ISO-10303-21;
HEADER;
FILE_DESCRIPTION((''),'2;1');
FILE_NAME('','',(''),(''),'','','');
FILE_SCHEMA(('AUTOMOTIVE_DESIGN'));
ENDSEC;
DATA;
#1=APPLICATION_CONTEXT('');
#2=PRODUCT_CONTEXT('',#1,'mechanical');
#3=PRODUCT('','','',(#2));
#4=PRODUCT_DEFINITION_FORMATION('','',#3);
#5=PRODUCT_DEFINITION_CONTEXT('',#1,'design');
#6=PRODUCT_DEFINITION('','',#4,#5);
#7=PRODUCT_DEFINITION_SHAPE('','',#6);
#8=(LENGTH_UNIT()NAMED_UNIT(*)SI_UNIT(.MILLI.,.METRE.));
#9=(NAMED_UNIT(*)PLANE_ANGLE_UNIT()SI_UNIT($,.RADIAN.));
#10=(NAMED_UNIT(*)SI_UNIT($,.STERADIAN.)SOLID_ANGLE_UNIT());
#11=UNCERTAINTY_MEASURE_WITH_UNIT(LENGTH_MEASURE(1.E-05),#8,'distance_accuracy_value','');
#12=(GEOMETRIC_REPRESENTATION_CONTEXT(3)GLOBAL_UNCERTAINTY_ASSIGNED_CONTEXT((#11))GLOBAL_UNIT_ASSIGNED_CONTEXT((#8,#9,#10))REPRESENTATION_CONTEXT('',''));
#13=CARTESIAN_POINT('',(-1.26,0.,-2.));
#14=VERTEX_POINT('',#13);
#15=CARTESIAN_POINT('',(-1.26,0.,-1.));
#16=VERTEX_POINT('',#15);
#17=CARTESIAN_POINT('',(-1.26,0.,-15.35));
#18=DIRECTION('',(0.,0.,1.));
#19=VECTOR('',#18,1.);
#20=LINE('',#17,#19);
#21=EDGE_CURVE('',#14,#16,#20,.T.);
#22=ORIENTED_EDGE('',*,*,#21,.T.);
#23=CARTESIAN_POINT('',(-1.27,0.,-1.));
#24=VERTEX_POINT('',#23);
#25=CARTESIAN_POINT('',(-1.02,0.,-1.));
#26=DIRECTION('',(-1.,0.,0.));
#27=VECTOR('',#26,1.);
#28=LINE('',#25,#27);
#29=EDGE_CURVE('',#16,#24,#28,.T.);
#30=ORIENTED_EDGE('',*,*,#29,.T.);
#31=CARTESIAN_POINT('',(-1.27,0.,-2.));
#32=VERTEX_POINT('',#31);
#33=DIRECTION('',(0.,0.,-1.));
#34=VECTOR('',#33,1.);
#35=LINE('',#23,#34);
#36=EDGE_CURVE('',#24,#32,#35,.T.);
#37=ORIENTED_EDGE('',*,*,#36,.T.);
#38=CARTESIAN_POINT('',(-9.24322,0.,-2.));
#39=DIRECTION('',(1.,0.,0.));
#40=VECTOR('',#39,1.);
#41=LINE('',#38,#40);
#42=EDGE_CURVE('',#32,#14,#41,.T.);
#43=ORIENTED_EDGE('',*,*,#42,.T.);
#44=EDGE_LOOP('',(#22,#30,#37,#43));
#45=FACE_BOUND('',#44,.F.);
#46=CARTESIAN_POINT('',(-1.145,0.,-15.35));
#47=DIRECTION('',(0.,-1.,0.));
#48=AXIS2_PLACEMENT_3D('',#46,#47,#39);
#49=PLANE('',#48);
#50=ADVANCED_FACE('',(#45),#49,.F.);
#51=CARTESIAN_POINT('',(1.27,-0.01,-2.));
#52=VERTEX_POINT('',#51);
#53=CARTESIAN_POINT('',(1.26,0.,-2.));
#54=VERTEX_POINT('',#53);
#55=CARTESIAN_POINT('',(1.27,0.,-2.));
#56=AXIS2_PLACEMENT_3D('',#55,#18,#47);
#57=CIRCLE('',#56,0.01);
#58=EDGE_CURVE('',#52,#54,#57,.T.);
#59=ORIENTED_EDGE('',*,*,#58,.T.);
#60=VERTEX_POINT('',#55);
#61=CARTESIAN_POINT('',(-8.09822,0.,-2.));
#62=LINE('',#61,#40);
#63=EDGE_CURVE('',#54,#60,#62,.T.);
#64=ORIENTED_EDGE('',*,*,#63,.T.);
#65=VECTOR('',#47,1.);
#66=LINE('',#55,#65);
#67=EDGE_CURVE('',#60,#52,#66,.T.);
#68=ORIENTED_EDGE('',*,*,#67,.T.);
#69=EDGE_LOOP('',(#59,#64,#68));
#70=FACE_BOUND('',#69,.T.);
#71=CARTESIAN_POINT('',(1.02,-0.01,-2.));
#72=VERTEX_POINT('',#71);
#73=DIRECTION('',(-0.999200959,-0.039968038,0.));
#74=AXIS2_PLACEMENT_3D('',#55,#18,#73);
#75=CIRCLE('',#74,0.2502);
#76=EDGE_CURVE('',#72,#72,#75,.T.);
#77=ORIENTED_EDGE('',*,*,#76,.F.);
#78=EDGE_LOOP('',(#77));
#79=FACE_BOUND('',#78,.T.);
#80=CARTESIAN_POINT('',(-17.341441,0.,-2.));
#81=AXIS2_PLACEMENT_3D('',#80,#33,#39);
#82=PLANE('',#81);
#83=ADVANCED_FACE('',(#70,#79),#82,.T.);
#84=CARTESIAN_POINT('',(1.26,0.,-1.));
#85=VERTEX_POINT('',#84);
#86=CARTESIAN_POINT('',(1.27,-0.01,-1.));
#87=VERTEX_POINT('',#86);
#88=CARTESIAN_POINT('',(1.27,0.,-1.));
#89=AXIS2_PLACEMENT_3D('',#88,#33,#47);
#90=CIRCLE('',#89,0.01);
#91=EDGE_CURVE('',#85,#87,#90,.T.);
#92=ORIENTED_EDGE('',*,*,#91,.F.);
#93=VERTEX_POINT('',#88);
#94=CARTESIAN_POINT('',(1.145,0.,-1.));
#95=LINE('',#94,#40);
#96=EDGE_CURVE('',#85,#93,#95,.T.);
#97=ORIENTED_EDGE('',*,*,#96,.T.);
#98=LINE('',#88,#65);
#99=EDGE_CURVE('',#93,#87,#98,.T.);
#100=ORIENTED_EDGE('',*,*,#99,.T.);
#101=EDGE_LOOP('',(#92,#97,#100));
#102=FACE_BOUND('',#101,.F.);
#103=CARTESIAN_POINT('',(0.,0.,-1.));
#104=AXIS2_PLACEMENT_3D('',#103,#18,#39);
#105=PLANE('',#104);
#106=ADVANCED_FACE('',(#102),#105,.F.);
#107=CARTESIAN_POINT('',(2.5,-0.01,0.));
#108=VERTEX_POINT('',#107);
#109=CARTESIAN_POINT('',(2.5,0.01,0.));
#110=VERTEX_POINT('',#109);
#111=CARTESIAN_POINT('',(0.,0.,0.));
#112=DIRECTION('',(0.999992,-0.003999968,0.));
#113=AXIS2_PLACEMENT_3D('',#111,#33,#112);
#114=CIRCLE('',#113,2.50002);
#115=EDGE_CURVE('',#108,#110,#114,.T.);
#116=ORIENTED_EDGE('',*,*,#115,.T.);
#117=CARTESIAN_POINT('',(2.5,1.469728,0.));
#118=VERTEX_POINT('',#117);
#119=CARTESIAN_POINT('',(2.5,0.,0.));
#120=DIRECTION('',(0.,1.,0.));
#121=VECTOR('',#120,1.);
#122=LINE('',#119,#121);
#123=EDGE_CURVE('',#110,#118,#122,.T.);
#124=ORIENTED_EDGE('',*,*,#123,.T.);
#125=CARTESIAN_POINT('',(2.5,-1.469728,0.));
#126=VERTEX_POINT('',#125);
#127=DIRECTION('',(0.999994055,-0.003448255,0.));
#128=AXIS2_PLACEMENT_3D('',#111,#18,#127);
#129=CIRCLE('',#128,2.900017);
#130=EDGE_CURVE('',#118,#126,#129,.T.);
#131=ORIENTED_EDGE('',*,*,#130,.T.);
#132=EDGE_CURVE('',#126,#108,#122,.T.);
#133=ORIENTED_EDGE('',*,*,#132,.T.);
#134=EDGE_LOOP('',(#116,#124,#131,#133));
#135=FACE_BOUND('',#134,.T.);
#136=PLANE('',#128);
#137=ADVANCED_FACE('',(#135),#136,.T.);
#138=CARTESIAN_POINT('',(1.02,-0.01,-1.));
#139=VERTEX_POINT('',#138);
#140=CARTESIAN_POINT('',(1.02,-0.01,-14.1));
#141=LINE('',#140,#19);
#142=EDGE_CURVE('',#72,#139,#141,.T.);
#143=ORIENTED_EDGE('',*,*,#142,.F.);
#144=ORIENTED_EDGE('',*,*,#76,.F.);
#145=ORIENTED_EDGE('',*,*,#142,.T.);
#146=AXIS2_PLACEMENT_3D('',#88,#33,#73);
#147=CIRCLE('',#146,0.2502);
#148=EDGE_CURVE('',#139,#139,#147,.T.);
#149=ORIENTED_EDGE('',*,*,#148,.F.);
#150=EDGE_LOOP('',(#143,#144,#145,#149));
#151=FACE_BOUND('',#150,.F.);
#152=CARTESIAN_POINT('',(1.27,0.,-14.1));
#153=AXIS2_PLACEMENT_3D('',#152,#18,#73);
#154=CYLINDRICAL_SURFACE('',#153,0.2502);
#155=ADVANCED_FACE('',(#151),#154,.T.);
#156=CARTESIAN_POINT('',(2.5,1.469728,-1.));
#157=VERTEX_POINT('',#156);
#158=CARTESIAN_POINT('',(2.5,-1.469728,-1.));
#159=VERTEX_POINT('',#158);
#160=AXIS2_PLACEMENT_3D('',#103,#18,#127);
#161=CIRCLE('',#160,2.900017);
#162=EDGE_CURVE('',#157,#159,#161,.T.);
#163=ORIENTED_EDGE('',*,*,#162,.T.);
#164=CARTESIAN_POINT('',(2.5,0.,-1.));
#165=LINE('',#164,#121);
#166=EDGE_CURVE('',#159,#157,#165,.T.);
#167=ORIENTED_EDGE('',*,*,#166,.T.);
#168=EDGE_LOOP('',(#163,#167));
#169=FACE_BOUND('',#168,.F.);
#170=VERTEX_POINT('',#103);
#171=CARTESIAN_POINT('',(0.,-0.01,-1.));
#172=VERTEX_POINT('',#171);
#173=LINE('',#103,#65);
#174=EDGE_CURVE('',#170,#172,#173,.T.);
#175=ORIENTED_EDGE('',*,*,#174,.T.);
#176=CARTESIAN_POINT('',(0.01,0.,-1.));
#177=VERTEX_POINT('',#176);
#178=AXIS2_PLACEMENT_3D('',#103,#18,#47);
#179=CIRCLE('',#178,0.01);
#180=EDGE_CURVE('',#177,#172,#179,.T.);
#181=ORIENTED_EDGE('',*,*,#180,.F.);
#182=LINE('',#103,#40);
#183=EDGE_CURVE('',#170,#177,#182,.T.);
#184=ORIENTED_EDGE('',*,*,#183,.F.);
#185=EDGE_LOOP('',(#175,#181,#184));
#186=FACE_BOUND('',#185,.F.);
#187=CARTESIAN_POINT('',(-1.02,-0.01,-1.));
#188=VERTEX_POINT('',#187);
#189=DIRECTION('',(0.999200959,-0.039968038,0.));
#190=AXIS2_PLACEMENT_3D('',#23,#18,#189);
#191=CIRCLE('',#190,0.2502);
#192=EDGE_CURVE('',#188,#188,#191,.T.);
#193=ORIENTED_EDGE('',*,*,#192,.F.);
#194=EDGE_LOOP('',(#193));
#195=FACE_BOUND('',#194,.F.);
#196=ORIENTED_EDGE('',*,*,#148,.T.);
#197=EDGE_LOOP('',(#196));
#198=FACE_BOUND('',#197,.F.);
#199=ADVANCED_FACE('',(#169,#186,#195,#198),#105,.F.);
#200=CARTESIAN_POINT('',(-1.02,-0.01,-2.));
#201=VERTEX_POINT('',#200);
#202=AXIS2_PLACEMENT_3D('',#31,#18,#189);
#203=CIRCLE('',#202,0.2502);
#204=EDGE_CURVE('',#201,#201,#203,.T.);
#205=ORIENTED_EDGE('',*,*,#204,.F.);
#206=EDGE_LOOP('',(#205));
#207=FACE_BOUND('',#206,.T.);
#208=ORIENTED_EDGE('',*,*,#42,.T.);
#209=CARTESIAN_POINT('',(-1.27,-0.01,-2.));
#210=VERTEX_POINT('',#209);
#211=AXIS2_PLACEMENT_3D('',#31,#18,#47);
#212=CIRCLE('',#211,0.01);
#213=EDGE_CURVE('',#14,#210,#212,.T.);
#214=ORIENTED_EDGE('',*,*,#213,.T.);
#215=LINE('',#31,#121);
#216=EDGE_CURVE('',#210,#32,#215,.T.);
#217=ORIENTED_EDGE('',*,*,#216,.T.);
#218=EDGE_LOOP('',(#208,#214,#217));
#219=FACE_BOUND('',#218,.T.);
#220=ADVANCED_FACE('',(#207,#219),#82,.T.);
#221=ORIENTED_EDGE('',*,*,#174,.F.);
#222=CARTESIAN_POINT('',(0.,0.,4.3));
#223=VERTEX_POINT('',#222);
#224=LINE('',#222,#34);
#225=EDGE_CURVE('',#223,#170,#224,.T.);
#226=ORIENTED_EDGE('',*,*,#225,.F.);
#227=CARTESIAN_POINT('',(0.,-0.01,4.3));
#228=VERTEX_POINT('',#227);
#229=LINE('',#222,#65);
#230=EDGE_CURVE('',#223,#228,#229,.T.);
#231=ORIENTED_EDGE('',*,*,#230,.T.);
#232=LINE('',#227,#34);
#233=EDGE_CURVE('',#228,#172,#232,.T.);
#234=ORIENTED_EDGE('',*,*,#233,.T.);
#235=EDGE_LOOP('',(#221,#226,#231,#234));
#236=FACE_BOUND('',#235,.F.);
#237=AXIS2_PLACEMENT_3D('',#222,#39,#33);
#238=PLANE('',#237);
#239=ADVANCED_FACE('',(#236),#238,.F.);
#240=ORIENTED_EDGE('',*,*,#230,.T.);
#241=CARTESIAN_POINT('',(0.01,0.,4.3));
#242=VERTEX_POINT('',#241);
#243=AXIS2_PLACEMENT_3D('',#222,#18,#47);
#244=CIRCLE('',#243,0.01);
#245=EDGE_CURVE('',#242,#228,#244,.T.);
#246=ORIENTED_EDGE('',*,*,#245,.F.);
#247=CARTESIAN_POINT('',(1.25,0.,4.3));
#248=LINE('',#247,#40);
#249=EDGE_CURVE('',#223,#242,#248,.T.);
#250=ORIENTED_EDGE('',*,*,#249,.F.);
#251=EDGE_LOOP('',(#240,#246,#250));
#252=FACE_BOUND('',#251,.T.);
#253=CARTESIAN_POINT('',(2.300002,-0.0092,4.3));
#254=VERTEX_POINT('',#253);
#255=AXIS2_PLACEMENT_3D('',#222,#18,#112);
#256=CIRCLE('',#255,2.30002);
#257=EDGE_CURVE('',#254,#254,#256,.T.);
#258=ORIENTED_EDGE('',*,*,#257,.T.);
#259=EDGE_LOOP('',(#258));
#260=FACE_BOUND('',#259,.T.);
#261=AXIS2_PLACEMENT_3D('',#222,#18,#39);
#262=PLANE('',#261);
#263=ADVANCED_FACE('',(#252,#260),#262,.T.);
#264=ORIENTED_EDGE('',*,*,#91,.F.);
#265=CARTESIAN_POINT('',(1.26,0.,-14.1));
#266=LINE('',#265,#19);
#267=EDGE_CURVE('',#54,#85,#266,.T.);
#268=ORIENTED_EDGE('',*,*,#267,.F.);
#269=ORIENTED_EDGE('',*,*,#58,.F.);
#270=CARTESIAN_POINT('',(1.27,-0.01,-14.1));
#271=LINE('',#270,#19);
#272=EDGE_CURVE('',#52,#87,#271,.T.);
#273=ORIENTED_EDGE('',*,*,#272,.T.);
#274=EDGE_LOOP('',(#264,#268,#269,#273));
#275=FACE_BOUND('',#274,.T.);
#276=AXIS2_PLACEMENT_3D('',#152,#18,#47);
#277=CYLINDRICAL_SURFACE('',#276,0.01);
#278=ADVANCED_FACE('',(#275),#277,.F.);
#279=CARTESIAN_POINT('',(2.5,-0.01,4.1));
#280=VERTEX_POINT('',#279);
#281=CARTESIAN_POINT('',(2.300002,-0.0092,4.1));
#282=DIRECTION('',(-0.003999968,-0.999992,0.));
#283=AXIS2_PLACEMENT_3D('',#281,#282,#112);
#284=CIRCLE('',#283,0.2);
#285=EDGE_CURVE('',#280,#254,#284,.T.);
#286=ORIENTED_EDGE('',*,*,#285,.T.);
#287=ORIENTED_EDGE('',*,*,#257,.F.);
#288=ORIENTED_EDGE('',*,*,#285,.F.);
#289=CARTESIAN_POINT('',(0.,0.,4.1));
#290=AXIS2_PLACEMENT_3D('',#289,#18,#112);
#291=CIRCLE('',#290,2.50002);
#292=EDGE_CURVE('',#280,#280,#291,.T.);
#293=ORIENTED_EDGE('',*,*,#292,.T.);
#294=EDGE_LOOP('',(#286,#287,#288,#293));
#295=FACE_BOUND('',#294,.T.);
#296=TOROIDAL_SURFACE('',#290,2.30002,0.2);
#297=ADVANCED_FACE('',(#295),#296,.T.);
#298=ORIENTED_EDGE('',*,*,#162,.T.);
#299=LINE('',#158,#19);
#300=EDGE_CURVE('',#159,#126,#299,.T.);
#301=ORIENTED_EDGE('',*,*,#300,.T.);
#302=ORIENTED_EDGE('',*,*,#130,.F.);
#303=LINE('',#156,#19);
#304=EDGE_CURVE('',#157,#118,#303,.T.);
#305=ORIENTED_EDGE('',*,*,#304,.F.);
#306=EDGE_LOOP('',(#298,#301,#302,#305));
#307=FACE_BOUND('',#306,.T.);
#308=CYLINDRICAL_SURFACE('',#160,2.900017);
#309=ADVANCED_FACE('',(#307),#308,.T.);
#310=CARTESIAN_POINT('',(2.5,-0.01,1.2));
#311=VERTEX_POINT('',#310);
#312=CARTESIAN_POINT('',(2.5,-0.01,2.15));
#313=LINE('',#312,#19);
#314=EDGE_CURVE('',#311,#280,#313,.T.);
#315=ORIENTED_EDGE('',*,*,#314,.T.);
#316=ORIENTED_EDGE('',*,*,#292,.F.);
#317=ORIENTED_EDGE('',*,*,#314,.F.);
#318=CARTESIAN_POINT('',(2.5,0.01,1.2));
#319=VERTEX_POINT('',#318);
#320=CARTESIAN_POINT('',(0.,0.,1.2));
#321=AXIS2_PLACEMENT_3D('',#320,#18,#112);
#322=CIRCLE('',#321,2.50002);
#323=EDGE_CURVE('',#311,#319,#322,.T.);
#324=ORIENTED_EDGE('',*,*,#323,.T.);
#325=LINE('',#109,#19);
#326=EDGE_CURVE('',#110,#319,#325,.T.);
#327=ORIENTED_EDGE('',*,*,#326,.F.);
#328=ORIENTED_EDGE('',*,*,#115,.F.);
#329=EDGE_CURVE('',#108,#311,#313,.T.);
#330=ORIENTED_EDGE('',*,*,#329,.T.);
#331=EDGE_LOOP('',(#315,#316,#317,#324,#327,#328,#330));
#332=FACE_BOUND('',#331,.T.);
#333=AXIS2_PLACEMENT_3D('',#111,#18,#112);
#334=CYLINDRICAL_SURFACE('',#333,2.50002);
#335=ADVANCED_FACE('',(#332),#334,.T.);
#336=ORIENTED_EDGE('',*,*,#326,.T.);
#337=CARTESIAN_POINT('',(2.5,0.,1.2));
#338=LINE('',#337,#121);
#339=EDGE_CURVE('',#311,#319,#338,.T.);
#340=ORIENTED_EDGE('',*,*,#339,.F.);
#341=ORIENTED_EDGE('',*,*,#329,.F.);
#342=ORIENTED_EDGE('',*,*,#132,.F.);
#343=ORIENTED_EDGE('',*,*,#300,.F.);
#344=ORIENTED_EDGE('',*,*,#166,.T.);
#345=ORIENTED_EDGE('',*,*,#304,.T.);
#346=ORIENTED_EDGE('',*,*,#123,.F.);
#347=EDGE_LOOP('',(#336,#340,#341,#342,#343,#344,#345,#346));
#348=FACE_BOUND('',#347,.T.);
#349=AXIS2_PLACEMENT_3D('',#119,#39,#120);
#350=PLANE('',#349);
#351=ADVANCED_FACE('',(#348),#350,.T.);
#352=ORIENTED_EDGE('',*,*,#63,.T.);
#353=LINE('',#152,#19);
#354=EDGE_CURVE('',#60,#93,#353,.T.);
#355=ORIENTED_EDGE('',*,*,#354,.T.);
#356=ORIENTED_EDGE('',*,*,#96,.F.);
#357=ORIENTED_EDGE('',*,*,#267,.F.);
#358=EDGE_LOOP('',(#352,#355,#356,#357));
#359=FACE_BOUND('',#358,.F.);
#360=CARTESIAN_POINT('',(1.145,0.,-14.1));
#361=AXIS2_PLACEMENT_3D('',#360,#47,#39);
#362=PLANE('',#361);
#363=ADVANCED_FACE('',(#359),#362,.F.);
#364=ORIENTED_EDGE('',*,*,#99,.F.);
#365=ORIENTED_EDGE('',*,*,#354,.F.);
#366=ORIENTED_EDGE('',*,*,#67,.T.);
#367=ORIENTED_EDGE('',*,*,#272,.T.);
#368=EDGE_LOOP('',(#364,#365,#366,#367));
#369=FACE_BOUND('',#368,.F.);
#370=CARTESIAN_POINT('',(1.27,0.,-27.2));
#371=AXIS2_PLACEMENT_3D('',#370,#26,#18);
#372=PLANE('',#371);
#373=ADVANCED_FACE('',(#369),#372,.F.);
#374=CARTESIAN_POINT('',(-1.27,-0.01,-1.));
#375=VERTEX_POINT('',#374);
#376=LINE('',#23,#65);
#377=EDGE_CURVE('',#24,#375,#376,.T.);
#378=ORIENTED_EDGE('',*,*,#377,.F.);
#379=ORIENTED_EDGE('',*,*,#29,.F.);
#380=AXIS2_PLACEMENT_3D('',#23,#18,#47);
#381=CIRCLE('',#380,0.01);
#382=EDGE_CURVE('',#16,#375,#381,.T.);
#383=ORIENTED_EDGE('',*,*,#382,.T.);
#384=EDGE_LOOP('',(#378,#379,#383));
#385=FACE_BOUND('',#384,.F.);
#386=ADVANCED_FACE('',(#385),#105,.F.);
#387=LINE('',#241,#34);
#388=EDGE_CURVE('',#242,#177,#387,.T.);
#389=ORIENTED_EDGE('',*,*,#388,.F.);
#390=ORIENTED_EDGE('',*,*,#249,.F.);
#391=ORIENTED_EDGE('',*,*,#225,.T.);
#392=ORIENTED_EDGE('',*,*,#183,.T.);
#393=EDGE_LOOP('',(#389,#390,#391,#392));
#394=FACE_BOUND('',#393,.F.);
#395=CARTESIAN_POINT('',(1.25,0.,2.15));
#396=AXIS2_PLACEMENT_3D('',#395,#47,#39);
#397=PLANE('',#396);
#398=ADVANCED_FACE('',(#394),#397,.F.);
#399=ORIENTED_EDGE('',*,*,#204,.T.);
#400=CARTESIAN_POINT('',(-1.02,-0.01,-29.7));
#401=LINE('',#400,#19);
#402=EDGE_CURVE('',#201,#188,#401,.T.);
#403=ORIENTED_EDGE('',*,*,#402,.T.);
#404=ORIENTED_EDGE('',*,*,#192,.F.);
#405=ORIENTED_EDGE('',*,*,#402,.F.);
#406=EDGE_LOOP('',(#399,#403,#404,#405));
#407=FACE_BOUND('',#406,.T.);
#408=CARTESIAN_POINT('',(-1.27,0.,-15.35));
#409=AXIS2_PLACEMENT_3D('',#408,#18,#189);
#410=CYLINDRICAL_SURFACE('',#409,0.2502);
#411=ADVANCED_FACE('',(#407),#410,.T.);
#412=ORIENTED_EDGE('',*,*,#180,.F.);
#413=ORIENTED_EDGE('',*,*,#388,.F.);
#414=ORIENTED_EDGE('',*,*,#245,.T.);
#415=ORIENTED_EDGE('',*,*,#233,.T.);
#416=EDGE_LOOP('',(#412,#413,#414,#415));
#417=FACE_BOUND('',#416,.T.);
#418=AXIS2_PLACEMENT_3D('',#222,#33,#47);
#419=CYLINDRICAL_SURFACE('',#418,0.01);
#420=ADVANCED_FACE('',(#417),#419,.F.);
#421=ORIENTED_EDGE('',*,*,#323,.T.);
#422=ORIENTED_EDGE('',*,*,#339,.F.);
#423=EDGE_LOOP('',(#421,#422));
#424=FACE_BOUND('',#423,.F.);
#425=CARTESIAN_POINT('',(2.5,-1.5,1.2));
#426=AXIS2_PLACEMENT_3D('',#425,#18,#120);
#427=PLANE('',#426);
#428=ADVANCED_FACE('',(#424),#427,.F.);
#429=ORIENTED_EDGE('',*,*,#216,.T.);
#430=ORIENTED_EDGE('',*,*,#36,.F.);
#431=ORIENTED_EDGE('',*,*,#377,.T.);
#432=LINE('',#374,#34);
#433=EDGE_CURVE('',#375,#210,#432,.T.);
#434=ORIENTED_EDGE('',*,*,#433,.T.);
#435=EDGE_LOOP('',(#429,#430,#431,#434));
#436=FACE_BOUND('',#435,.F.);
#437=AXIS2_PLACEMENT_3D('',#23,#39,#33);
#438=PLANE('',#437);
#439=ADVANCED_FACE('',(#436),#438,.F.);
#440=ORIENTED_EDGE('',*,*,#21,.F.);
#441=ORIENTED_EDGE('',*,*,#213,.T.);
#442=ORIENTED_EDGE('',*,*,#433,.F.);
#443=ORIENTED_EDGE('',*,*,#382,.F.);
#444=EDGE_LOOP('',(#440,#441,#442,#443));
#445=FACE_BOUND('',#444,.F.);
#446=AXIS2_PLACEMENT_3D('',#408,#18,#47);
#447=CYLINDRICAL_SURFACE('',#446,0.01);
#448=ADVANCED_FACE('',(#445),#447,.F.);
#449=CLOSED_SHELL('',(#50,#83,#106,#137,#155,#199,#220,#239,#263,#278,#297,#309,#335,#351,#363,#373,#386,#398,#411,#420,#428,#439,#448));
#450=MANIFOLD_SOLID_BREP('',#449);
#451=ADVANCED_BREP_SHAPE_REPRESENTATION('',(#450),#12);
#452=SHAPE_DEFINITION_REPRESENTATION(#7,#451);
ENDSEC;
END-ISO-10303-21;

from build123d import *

# Parameters (mm, degrees)
F0_W      = 2.5
F0_H      = 4.3
F1_DEPTH  = 0.01
F4_W      = 3
F4_H      = 2.4
F5_DEPTH  = 2
F0_W_2    = 0.25
F0_H_2    = 26.2
F6_DEPTH  = 0.01
F7_DEPTH  = 0.01
F7_FACE_W = 0.25
F7_FACE_H = 28.7
F6_FACE_W = 0.25
F6_FACE_H = 26.2
F10_R     = 0.2
F11_W     = 38
F11_H     = 33
F12_DEPTH = 12.5


with BuildPart() as f1:
    # F0 (on Front) → F1 (new body)
    with BuildSketch(Plane.XZ):
        with Locations((1.25, 2.15)):
            Rectangle(F0_W, F0_H)
        Polygon((2.5, 0), (0, 0), (0, -1), (1.02, -1), (1.27, -1), (2.9, -1), (2.9, 0), align=None)
    extrude(amount=F1_DEPTH)

    # F1_face (on face) → F2 (revolve)
    with BuildSketch(Plane(origin=(1.2924908425, -0.01, 1.586996337), x_dir=(1, 0, 0), z_dir=(0, -1, 0))):
        Polygon((-1.2924908425, 2.713003663), (-1.2924908425, -2.586996337), (1.6075091575, -2.586996337), (1.6075091575, -1.586996337), (1.2075091575, -1.586996337), (1.2075091575, 2.713003663), align=None)
    revolve(axis=Axis((0, 0, 1.65), (0, 0, 1)))

    # F4 (on offset) → F5 (cut)
    with BuildSketch(Plane.YZ.offset(2.5)):
        Rectangle(F4_W, F4_H)
    extrude(amount=F5_DEPTH, mode=Mode.SUBTRACT)

    # F0 (on Front) → F6 (join)
    with BuildSketch(Plane.XZ):
        with Locations((1.145, -14.1)):
            Rectangle(F0_W_2, F0_H_2)
    extrude(amount=F6_DEPTH)

    # F0 (on Front) → F7 (join)
    with BuildSketch(Plane.XZ):
        Polygon((-1.02, -29.7), (-1.02, -27.2), (-1.02, -1), (-1.27, -1), (-1.27, -29.7), align=None)
    extrude(amount=F7_DEPTH)

    # F7_face (on face) → F8 (revolve)
    with BuildSketch(Plane(origin=(-1.145, -0.01, -15.35), x_dir=(1, 0, 0), z_dir=(0, -1, 0))):
        Rectangle(F7_FACE_W, F7_FACE_H)
    revolve(axis=Axis((-1.27, 0, -15.35), (0, 0, 1)))

    # F6_face (on face) → F9 (revolve)
    with BuildSketch(Plane(origin=(1.145, -0.01, -14.1), x_dir=(1, 0, 0), z_dir=(0, -1, 0))):
        Rectangle(F6_FACE_W, F6_FACE_H)
    revolve(axis=Axis((1.27, 0, -14.1), (0, 0, -1)))

    # F10
    f10_edges = [f1.edges().sort_by_distance(p)[0] for p in [
        (-2.5, 0.01, 4.3),
    ]]
    fillet(f10_edges, radius=F10_R)

    # F11 (on Front) → F12 (cut, symmetric)
    with BuildSketch(Plane.XZ):
        with Locations((1.6585592992, -18.5)):
            Rectangle(F11_W, F11_H)
    extrude(amount=F12_DEPTH, both=True, mode=Mode.SUBTRACT)


solid = f1.part
